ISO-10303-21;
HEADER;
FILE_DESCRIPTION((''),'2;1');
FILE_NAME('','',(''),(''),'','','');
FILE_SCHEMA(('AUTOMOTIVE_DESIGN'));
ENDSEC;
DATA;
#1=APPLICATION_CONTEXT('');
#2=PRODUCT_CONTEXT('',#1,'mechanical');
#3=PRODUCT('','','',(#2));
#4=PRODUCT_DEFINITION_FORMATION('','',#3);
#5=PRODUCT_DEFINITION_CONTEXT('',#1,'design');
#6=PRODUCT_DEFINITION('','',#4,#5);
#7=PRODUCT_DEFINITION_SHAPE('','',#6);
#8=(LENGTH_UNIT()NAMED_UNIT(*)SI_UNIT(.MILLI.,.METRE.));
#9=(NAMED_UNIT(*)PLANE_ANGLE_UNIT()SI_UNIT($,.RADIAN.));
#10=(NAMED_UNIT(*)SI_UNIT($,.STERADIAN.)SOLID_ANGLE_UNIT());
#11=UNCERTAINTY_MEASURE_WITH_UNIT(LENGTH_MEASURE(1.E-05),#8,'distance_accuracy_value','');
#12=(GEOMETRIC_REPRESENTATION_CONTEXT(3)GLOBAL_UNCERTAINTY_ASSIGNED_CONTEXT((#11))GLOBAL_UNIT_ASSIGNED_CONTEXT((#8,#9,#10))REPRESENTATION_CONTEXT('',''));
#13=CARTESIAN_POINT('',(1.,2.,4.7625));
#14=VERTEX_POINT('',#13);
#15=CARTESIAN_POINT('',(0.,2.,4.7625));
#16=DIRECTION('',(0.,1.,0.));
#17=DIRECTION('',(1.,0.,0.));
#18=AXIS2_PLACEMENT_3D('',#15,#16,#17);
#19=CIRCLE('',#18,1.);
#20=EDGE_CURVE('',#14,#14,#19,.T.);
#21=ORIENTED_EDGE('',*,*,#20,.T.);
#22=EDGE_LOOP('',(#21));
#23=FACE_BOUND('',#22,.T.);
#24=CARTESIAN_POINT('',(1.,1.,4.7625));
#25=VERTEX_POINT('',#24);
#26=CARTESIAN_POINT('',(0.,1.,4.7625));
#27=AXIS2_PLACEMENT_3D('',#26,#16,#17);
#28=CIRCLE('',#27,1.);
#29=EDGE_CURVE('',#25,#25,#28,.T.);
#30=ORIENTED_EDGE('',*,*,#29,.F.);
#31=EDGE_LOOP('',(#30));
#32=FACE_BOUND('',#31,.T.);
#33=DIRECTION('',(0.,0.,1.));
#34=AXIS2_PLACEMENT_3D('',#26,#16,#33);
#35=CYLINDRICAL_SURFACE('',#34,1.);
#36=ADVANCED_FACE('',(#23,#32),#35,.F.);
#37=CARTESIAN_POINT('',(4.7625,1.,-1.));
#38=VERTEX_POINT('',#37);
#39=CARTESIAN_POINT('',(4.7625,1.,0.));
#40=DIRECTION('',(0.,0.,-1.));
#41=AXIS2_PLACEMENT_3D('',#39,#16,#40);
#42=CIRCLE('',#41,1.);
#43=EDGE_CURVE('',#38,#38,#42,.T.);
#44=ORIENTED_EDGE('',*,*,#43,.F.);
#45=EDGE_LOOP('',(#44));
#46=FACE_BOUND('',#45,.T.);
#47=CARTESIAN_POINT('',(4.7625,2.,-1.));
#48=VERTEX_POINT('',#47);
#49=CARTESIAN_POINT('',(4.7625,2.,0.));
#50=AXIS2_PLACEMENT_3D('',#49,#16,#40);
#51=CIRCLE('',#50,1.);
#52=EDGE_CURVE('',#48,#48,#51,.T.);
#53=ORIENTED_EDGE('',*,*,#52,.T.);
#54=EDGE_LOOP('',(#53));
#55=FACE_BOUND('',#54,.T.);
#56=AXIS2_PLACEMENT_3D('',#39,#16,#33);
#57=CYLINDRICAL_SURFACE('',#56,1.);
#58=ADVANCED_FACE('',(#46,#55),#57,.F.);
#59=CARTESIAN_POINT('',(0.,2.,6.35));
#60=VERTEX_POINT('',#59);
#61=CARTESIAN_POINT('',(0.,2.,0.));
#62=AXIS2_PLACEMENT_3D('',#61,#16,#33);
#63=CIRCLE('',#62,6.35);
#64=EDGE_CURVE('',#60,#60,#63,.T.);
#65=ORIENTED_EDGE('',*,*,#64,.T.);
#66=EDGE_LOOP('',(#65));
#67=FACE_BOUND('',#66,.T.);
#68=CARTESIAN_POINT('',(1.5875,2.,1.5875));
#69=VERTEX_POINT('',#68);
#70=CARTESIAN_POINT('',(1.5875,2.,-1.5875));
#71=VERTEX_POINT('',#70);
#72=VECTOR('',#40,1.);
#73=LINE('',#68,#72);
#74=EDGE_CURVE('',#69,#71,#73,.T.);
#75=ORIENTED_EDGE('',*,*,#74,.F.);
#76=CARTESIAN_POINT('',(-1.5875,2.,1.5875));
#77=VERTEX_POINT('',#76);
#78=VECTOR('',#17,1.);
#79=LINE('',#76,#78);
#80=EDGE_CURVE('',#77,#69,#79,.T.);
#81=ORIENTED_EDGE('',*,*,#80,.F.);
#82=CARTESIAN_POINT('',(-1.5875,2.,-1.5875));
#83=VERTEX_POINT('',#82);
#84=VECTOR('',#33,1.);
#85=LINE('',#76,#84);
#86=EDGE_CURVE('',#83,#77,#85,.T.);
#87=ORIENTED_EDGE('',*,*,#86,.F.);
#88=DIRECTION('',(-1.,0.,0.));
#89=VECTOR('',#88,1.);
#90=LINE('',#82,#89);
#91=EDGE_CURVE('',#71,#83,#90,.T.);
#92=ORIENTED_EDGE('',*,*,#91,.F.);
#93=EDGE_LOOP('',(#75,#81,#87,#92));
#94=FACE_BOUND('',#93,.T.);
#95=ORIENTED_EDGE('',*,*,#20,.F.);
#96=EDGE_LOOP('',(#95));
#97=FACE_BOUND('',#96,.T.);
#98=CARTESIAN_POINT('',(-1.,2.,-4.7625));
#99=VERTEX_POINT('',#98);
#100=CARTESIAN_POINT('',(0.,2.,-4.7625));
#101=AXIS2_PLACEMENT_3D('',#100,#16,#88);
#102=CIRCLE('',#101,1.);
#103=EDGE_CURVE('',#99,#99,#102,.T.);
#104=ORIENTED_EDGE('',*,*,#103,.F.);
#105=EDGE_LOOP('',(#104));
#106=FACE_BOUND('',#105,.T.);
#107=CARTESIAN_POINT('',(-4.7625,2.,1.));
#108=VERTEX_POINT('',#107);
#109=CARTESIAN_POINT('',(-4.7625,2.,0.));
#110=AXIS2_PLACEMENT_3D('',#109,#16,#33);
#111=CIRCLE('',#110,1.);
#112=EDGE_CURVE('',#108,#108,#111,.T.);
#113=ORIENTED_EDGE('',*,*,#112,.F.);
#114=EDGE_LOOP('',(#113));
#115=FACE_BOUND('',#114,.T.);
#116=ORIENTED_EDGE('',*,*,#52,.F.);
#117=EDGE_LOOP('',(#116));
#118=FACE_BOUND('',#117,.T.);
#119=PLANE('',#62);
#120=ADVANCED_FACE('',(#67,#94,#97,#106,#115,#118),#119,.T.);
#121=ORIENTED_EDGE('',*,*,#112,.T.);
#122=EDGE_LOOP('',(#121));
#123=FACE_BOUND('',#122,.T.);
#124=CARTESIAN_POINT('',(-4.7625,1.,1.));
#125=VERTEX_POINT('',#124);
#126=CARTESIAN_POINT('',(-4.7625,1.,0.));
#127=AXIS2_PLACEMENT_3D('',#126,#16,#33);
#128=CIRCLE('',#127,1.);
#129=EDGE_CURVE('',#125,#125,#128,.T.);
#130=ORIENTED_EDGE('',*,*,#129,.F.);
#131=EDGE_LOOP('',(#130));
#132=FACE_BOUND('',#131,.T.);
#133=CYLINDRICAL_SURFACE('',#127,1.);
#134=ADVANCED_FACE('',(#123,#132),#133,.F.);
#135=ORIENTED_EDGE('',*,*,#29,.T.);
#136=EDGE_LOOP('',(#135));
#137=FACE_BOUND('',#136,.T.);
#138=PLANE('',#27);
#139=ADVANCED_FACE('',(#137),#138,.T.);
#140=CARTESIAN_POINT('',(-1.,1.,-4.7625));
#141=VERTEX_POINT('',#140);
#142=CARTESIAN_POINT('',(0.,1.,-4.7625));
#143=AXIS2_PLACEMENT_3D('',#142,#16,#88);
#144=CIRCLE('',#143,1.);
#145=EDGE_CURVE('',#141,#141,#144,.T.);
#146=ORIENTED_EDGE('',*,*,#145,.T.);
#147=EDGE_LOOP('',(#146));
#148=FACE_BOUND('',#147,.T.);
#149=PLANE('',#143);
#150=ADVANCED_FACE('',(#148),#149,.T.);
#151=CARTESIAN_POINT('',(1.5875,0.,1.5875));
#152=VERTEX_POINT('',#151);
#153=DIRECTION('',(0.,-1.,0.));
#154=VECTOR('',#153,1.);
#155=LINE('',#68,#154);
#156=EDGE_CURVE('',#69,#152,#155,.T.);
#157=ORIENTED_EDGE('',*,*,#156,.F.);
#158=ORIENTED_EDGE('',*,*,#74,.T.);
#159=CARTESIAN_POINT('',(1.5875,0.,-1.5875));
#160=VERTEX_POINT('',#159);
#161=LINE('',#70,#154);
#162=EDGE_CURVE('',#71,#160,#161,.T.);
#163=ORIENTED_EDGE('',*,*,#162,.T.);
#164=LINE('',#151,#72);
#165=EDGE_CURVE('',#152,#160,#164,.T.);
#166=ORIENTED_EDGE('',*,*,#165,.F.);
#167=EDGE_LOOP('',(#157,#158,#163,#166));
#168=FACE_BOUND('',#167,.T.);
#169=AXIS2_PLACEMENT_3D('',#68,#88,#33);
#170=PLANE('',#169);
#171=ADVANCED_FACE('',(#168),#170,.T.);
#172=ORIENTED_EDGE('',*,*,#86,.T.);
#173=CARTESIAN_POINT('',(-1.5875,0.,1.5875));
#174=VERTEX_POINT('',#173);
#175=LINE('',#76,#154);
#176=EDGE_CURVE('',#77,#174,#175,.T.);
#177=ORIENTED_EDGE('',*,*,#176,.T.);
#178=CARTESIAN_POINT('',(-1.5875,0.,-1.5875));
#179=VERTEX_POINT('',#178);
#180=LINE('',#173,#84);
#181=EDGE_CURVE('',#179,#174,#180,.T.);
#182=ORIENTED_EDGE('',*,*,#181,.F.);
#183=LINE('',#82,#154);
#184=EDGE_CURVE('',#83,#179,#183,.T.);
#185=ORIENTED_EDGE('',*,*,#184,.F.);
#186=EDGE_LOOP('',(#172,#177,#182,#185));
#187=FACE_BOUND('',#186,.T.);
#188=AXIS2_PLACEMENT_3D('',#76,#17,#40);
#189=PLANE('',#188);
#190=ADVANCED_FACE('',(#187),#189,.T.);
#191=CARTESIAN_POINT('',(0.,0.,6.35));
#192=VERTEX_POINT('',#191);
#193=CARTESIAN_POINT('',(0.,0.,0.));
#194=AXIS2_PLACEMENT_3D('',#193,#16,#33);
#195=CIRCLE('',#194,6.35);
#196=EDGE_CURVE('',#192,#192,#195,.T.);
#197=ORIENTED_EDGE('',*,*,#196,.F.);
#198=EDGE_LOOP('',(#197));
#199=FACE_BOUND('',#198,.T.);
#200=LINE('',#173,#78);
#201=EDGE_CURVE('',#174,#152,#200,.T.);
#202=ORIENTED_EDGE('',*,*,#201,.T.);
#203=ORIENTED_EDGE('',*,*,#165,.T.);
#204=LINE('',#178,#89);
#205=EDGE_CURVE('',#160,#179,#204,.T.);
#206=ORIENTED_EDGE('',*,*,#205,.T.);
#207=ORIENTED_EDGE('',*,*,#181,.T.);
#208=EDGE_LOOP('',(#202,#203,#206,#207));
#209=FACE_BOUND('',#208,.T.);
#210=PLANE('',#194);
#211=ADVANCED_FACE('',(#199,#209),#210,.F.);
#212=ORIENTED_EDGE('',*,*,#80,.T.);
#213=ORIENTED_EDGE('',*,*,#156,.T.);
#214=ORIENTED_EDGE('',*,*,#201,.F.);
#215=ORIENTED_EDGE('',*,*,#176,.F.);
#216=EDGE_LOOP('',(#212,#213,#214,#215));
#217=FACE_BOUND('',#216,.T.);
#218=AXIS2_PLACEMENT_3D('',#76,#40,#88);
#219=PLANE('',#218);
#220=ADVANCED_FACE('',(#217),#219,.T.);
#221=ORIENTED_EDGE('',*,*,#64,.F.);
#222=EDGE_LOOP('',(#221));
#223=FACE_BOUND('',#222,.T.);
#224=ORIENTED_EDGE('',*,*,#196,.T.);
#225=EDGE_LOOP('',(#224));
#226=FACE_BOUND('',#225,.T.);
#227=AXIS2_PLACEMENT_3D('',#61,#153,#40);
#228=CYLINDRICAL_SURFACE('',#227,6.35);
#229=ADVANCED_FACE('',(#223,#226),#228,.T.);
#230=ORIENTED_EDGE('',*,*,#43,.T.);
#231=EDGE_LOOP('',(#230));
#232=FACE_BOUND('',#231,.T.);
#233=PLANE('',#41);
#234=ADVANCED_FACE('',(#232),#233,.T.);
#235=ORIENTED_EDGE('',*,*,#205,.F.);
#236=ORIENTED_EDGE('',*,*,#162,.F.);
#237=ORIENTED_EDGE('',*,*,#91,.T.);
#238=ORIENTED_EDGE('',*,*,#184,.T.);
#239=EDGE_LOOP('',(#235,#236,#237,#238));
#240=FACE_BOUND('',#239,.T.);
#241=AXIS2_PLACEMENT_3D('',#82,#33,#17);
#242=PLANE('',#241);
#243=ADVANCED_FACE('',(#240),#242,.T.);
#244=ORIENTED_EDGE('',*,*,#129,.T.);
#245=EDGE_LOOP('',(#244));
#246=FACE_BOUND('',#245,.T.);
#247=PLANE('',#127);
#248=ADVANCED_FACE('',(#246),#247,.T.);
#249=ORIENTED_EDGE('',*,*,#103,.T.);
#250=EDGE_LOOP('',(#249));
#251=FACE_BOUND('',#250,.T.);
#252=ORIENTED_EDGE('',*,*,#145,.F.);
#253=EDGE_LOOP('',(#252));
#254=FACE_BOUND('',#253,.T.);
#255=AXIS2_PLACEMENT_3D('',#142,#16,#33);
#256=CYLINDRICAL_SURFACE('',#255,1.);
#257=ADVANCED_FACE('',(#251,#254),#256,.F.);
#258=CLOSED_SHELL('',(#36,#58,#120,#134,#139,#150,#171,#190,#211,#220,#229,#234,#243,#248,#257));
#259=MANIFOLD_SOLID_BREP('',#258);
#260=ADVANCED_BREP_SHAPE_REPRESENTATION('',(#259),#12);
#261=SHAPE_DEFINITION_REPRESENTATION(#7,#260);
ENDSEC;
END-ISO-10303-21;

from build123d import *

# Parameters (mm, degrees)
SKETCH2_R           = 6.35
SKETCH2_W           = 3.175
SKETCH2_H           = 3.175
BOSS_EXTRUDE1_DEPTH = 2
SKETCH3_R           = 1
CUT_EXTRUDE1_DEPTH  = 1
CIRPATTERN1_COUNT   = 4


with BuildPart() as part:
    # Sketch2 → Boss-Extrude1 (new body)
    with BuildSketch(Plane(origin=(0, 0, 0), x_dir=(1, 0, 0), z_dir=(0, 1, 0))):
        with Locations(Location((0, 0, 0), (0, 0, 270))):
            Circle(SKETCH2_R)
        Rectangle(SKETCH2_W, SKETCH2_H, mode=Mode.SUBTRACT)
    extrude(amount=BOSS_EXTRUDE1_DEPTH)

    # Sketch3 → Cut-Extrude1 (cut)
    with BuildSketch(Plane(origin=(0, 2, 0), x_dir=(1, 0, 0), z_dir=(0, 1, 0))):
        with Locations(Location((-4.7625, 0, 0), (0, 0, 270))):
            Circle(SKETCH3_R)
    cut_extrude1 = extrude(amount=-CUT_EXTRUDE1_DEPTH, mode=Mode.SUBTRACT)

    # CirPattern1: Cut-Extrude1 ×4 about axis
    cirpattern1_axis = Axis((0, 0, 0), (0, 1, 0))
    for i in range(1, CIRPATTERN1_COUNT):
        add(cut_extrude1.rotate(cirpattern1_axis, i * 360 / CIRPATTERN1_COUNT), mode=Mode.SUBTRACT)


solid = part.part
